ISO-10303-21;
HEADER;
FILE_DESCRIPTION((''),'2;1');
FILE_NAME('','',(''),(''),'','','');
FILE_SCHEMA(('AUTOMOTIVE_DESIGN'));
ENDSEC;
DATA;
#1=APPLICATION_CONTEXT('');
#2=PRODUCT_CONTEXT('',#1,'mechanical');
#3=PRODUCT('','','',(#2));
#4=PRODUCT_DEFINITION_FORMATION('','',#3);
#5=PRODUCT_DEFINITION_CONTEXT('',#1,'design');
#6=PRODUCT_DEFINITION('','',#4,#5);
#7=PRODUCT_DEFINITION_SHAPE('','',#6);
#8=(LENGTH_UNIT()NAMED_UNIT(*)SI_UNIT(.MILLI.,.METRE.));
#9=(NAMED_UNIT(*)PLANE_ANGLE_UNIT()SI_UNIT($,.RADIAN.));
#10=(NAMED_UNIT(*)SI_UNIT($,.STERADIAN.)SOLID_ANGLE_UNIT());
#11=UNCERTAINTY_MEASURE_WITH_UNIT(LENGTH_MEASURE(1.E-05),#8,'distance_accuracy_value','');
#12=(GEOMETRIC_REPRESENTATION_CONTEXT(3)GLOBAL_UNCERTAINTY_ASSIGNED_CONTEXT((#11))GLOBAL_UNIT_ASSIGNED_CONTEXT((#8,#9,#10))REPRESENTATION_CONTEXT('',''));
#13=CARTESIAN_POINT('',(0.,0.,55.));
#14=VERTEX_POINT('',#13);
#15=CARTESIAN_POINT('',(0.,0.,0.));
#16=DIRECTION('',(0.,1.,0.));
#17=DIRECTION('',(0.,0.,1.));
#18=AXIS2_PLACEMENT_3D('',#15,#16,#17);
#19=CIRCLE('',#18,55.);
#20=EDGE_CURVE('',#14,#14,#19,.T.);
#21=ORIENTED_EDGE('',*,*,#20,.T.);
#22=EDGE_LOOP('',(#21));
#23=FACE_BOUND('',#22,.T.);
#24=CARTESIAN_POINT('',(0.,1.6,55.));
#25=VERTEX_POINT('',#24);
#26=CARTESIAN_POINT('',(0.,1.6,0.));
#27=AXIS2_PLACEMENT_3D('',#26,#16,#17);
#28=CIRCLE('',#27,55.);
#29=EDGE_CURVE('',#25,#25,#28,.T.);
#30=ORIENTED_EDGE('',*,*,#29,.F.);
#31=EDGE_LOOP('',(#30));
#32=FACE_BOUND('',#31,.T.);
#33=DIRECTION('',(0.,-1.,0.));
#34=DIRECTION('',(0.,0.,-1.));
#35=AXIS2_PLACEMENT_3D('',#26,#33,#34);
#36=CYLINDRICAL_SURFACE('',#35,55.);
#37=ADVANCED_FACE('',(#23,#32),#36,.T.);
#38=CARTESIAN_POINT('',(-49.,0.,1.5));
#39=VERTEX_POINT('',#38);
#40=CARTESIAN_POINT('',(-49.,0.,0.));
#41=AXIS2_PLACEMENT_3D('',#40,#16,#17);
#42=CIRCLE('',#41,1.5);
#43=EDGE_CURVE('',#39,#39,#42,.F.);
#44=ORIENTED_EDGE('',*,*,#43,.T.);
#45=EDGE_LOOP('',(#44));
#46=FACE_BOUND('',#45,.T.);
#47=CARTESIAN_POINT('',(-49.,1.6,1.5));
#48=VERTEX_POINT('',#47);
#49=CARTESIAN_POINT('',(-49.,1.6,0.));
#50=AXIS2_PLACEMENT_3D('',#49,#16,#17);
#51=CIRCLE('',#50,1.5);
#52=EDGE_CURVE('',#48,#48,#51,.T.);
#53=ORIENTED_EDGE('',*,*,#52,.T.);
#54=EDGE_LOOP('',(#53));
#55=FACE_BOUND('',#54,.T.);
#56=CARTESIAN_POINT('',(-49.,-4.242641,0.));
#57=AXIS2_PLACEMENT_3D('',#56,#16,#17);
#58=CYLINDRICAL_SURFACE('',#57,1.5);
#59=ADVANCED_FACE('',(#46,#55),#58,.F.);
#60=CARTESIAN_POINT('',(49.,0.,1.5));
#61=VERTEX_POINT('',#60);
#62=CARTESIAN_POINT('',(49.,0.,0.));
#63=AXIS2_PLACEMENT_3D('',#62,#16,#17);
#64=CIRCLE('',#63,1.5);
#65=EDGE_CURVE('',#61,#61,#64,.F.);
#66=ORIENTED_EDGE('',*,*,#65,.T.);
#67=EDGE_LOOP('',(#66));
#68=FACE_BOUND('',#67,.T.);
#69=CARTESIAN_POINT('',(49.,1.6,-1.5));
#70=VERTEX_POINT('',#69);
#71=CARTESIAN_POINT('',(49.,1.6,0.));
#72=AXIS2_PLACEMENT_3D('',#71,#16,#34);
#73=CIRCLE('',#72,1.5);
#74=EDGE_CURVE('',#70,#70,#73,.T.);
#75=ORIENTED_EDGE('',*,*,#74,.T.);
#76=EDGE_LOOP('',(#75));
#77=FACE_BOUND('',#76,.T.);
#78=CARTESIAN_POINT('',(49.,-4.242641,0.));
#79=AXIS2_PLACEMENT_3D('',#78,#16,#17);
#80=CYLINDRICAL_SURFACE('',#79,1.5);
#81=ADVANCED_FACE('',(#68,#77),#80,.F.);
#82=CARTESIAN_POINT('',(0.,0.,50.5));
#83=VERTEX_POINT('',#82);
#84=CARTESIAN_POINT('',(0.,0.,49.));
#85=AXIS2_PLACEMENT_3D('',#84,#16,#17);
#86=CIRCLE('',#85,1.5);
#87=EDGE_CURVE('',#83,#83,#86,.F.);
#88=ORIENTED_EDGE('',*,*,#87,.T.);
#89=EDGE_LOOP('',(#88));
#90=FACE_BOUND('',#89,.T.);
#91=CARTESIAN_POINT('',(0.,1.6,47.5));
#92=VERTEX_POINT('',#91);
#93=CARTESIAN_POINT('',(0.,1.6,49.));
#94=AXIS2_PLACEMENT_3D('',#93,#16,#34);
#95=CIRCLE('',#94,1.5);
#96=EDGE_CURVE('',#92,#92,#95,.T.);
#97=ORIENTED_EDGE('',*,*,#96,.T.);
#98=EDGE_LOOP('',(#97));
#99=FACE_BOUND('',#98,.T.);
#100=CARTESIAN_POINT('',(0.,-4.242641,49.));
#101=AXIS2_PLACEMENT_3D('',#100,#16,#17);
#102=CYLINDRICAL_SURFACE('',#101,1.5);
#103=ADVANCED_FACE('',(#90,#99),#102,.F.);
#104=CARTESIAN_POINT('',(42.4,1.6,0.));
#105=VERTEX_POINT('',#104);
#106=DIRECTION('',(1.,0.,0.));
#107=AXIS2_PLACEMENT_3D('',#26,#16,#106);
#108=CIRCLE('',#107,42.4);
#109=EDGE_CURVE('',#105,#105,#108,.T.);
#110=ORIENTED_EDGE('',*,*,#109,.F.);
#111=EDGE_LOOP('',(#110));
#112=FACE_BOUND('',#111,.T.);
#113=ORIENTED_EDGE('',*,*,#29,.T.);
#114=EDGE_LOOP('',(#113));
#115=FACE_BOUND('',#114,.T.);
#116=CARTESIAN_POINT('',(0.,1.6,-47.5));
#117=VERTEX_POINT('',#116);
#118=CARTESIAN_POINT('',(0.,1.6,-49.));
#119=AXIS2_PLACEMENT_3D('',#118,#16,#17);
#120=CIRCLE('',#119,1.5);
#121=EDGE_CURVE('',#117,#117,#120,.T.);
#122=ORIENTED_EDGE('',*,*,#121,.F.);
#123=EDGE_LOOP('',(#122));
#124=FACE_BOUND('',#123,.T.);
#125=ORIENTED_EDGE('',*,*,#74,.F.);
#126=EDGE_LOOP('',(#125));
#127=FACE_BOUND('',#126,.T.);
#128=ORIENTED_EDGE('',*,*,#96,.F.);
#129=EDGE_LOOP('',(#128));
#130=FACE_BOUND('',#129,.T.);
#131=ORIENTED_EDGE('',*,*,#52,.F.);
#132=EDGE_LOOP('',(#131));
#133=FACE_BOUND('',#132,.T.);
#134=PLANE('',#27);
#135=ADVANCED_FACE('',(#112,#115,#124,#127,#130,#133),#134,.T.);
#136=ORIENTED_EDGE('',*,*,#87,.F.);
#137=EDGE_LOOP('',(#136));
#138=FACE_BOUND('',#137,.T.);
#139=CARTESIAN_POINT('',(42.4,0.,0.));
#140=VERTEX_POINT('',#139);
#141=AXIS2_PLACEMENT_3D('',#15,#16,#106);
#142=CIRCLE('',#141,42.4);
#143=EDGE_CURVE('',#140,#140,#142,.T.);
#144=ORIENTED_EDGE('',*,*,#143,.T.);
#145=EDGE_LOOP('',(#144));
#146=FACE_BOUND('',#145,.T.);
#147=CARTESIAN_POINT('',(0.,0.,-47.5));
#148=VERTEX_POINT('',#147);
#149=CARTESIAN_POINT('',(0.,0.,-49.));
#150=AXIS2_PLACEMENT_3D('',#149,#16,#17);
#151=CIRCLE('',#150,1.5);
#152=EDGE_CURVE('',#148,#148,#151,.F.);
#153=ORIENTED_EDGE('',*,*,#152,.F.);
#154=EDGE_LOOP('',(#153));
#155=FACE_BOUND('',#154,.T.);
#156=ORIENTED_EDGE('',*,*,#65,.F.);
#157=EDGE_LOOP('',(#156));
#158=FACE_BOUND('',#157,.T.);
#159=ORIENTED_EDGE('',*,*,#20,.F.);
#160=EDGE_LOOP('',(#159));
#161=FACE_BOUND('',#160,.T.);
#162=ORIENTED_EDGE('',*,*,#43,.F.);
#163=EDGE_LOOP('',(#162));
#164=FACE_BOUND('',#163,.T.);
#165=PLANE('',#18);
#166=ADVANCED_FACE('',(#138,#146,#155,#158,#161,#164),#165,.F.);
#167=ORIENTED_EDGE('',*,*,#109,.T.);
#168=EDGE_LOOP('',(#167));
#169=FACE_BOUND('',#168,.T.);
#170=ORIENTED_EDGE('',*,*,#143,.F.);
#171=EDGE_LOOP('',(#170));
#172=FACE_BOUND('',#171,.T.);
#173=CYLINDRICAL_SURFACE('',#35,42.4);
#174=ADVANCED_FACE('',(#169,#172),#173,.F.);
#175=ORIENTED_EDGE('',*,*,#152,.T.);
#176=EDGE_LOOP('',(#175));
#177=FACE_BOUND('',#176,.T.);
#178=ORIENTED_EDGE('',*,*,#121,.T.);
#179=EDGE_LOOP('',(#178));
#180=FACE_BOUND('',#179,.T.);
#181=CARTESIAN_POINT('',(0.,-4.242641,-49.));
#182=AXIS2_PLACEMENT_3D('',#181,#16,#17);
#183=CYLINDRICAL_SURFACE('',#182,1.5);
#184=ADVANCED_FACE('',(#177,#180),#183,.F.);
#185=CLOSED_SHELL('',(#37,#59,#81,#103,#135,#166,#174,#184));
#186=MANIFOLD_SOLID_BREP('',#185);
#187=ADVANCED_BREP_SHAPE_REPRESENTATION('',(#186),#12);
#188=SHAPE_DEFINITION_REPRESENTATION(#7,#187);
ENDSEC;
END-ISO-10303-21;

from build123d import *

# Parameters (mm, degrees)
SKETCH_1_R          = 55
SKETCH_1_R_2        = 42.4
EXTRUDE_1_DEPTH     = 1.6
SKETCH_2_R          = 1.5
CUT_EXTRUDE_1_DEPTH = 1.6


with BuildPart() as part:
    # 草图1 → 拉伸-薄壁1 (new body)
    with BuildSketch(Plane(origin=(0, 0, 0), x_dir=(1, 0, 0), z_dir=(0, 1, 0))):
        Circle(SKETCH_1_R)
        Circle(SKETCH_1_R_2, mode=Mode.SUBTRACT)
    extrude(amount=EXTRUDE_1_DEPTH)

    # 草图2 → 切除-拉伸1 (cut)
    with BuildSketch(Plane(origin=(0, 1.6, 0), x_dir=(1, 0, 0), z_dir=(0, 1, 0))):
        with Locations(Location((-49, 0, 0), (0, 0, 270))):
            Circle(SKETCH_2_R)
        with Locations(Location((0, 49, 0), (0, 0, 270))):
            Circle(SKETCH_2_R)
        with Locations(Location((49, 0, 0), (0, 0, 270))):
            Circle(SKETCH_2_R)
        with Locations(Location((0, -49, 0), (0, 0, 270))):
            Circle(SKETCH_2_R)
    extrude(amount=-CUT_EXTRUDE_1_DEPTH, mode=Mode.SUBTRACT)


solid = part.part
